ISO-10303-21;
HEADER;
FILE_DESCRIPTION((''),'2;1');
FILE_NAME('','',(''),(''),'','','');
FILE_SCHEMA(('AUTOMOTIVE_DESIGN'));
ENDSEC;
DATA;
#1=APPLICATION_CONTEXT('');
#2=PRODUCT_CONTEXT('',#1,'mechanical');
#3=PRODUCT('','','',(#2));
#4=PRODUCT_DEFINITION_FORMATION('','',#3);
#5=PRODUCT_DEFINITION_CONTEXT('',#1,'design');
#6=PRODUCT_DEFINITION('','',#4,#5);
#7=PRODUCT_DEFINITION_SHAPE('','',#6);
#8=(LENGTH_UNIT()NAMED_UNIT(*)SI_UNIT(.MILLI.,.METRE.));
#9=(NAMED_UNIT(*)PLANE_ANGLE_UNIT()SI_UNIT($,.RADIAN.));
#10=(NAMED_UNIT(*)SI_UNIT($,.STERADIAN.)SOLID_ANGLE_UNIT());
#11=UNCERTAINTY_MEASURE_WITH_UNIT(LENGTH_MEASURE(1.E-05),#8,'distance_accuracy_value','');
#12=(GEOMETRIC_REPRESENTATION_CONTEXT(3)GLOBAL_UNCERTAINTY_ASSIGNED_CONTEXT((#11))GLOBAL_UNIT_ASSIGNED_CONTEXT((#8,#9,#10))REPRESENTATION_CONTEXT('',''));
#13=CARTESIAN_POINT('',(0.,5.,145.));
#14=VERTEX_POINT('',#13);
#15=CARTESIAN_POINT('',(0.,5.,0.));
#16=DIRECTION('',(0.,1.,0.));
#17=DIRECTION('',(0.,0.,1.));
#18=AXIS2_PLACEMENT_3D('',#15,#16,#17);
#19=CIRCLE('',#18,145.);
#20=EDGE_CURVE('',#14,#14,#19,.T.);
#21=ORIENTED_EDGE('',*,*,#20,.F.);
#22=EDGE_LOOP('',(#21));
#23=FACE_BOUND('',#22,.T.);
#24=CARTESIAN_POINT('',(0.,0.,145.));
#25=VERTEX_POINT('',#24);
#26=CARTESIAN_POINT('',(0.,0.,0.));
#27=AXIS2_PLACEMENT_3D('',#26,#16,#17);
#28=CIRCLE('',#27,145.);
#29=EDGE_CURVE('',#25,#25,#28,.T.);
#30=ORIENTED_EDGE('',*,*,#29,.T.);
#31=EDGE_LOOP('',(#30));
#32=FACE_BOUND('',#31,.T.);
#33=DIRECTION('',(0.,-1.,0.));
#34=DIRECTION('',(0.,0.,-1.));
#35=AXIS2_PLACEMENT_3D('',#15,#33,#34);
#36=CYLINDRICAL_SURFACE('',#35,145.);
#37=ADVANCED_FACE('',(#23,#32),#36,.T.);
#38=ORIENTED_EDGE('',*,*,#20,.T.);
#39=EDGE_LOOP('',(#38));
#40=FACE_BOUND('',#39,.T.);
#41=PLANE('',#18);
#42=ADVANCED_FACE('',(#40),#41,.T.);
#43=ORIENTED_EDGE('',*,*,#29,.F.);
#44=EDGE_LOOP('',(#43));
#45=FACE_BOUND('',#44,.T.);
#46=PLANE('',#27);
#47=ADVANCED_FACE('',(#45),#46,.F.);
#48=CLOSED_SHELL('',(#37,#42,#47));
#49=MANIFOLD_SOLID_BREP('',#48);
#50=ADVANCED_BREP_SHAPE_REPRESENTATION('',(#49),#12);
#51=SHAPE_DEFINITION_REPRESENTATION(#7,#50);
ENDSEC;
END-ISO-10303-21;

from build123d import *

# Parameters (mm, degrees)
SKETCH_1_R      = 145
EXTRUDE_1_DEPTH = 5


with BuildPart() as part:
    # 草图1 → 凸台-拉伸1 (new body)
    with BuildSketch(Plane(origin=(0, 0, 0), x_dir=(1, 0, 0), z_dir=(0, 1, 0))):
        with Locations(Location((0, 0, 0), (0, 0, 270))):
            Circle(SKETCH_1_R)
    extrude(amount=EXTRUDE_1_DEPTH)


solid = part.part
